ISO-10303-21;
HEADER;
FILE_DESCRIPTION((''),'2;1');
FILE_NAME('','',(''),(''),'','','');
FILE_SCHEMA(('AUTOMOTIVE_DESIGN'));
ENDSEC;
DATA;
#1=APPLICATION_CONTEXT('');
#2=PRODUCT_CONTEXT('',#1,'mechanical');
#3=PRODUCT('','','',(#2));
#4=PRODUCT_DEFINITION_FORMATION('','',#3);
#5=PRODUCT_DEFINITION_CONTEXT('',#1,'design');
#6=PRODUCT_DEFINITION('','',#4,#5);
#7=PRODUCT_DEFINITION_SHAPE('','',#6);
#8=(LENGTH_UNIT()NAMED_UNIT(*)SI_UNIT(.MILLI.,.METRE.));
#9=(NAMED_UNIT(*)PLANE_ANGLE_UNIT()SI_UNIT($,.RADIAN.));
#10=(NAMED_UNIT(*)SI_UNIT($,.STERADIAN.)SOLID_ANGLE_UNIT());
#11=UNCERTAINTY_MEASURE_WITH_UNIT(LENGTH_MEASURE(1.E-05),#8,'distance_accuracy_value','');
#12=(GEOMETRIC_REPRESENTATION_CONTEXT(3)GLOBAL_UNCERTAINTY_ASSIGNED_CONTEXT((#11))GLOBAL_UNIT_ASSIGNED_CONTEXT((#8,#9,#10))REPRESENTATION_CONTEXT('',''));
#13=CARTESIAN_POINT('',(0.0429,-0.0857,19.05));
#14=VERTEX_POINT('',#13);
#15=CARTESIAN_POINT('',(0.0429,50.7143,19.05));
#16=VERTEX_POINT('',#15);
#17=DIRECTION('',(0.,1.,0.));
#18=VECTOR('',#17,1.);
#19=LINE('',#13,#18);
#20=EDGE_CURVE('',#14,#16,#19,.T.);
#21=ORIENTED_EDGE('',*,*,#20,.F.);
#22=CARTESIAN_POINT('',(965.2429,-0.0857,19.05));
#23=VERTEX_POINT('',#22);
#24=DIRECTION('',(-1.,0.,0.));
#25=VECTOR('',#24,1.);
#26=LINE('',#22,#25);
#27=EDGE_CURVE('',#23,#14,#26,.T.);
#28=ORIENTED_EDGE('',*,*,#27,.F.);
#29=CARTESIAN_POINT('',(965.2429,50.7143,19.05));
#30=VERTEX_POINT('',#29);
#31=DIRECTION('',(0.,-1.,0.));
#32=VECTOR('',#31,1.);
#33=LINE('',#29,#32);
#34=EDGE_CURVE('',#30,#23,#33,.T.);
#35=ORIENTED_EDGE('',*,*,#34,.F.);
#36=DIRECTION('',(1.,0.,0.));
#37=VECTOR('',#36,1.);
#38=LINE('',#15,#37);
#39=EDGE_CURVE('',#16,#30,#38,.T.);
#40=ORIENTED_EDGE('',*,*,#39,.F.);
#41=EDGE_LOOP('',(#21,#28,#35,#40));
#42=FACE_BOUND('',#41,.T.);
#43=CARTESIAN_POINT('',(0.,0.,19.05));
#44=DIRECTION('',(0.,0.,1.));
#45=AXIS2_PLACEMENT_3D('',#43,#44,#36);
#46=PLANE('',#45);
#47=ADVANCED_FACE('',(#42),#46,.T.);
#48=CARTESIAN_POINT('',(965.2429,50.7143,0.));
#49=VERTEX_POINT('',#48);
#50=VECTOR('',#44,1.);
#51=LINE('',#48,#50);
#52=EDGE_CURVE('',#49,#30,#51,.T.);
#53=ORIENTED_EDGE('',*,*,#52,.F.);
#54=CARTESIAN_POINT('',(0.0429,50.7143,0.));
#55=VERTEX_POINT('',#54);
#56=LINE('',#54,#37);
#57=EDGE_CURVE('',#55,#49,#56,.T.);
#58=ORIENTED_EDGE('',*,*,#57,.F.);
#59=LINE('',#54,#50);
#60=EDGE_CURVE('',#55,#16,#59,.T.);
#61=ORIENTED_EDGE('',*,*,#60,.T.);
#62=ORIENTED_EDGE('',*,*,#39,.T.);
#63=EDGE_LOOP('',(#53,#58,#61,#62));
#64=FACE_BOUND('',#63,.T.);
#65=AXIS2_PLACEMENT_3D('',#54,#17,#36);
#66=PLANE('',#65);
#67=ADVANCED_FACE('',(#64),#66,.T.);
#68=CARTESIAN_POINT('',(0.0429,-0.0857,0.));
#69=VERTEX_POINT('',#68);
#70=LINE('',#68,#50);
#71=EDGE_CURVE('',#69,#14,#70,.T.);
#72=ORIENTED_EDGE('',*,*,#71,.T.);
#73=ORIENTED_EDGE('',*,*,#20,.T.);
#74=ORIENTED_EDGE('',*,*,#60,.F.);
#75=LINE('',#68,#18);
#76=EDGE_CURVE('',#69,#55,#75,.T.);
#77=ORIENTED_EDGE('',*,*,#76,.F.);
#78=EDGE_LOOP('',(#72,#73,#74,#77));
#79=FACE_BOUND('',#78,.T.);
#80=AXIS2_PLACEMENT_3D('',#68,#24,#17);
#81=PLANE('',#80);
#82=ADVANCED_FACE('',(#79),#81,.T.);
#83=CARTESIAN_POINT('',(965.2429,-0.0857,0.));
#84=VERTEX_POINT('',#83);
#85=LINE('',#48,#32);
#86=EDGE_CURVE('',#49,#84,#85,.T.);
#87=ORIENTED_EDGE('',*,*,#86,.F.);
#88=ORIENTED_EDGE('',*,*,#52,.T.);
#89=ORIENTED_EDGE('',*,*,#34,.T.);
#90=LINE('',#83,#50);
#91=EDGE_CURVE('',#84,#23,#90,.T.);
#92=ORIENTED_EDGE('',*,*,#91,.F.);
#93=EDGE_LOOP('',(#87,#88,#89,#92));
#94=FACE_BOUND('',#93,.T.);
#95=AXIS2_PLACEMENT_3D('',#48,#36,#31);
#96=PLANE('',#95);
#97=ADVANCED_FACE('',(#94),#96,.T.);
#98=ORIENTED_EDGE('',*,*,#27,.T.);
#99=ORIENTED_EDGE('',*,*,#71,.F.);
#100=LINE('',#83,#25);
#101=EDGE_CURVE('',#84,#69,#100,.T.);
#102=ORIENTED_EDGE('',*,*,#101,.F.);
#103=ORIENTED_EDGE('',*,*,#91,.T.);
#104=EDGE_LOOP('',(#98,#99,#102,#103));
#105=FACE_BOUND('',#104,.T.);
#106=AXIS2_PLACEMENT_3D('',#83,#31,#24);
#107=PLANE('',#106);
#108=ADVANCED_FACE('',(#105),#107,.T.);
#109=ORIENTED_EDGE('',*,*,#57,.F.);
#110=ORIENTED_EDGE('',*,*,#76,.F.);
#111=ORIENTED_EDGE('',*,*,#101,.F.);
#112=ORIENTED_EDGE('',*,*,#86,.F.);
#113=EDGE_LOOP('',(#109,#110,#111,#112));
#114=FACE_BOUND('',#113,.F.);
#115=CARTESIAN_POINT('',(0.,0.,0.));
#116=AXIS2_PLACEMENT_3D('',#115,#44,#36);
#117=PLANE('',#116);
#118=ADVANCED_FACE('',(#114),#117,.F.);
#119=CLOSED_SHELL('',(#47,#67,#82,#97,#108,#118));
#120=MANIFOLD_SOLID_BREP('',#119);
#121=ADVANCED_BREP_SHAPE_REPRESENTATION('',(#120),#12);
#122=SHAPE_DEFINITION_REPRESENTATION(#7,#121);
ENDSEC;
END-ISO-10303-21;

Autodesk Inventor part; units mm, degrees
ref_plane "YZ Plane" through (0, 0, 0) normal (1, 0, 0) x (0, 1, 0)
ref_plane "XZ Plane" through (0, 0, 0) normal (0, 1, 0) x (-1, 0, 0)
ref_plane "XY Plane" through (0, 0, 0) normal (0, 0, 1) x (1, 0, 0)
sketch "Sketch1" plane through (0, 0, 0) normal (0, 0, 1) x (1, 0, 0)
  line L0 (0.0429, -0.0857) -> (0.0429, 50.7143)
  line L1 (0.0429, 50.7143) -> (965.2429, 50.7143)
  line L2 (965.2429, 50.7143) -> (965.2429, -0.0857)
  line L3 (965.2429, -0.0857) -> (0.0429, -0.0857)
  point P0 (0, 0)
extrude "Extrusion1" add sketch "Sketch1" along normal blind 19.05
properties part number "nd-c"
